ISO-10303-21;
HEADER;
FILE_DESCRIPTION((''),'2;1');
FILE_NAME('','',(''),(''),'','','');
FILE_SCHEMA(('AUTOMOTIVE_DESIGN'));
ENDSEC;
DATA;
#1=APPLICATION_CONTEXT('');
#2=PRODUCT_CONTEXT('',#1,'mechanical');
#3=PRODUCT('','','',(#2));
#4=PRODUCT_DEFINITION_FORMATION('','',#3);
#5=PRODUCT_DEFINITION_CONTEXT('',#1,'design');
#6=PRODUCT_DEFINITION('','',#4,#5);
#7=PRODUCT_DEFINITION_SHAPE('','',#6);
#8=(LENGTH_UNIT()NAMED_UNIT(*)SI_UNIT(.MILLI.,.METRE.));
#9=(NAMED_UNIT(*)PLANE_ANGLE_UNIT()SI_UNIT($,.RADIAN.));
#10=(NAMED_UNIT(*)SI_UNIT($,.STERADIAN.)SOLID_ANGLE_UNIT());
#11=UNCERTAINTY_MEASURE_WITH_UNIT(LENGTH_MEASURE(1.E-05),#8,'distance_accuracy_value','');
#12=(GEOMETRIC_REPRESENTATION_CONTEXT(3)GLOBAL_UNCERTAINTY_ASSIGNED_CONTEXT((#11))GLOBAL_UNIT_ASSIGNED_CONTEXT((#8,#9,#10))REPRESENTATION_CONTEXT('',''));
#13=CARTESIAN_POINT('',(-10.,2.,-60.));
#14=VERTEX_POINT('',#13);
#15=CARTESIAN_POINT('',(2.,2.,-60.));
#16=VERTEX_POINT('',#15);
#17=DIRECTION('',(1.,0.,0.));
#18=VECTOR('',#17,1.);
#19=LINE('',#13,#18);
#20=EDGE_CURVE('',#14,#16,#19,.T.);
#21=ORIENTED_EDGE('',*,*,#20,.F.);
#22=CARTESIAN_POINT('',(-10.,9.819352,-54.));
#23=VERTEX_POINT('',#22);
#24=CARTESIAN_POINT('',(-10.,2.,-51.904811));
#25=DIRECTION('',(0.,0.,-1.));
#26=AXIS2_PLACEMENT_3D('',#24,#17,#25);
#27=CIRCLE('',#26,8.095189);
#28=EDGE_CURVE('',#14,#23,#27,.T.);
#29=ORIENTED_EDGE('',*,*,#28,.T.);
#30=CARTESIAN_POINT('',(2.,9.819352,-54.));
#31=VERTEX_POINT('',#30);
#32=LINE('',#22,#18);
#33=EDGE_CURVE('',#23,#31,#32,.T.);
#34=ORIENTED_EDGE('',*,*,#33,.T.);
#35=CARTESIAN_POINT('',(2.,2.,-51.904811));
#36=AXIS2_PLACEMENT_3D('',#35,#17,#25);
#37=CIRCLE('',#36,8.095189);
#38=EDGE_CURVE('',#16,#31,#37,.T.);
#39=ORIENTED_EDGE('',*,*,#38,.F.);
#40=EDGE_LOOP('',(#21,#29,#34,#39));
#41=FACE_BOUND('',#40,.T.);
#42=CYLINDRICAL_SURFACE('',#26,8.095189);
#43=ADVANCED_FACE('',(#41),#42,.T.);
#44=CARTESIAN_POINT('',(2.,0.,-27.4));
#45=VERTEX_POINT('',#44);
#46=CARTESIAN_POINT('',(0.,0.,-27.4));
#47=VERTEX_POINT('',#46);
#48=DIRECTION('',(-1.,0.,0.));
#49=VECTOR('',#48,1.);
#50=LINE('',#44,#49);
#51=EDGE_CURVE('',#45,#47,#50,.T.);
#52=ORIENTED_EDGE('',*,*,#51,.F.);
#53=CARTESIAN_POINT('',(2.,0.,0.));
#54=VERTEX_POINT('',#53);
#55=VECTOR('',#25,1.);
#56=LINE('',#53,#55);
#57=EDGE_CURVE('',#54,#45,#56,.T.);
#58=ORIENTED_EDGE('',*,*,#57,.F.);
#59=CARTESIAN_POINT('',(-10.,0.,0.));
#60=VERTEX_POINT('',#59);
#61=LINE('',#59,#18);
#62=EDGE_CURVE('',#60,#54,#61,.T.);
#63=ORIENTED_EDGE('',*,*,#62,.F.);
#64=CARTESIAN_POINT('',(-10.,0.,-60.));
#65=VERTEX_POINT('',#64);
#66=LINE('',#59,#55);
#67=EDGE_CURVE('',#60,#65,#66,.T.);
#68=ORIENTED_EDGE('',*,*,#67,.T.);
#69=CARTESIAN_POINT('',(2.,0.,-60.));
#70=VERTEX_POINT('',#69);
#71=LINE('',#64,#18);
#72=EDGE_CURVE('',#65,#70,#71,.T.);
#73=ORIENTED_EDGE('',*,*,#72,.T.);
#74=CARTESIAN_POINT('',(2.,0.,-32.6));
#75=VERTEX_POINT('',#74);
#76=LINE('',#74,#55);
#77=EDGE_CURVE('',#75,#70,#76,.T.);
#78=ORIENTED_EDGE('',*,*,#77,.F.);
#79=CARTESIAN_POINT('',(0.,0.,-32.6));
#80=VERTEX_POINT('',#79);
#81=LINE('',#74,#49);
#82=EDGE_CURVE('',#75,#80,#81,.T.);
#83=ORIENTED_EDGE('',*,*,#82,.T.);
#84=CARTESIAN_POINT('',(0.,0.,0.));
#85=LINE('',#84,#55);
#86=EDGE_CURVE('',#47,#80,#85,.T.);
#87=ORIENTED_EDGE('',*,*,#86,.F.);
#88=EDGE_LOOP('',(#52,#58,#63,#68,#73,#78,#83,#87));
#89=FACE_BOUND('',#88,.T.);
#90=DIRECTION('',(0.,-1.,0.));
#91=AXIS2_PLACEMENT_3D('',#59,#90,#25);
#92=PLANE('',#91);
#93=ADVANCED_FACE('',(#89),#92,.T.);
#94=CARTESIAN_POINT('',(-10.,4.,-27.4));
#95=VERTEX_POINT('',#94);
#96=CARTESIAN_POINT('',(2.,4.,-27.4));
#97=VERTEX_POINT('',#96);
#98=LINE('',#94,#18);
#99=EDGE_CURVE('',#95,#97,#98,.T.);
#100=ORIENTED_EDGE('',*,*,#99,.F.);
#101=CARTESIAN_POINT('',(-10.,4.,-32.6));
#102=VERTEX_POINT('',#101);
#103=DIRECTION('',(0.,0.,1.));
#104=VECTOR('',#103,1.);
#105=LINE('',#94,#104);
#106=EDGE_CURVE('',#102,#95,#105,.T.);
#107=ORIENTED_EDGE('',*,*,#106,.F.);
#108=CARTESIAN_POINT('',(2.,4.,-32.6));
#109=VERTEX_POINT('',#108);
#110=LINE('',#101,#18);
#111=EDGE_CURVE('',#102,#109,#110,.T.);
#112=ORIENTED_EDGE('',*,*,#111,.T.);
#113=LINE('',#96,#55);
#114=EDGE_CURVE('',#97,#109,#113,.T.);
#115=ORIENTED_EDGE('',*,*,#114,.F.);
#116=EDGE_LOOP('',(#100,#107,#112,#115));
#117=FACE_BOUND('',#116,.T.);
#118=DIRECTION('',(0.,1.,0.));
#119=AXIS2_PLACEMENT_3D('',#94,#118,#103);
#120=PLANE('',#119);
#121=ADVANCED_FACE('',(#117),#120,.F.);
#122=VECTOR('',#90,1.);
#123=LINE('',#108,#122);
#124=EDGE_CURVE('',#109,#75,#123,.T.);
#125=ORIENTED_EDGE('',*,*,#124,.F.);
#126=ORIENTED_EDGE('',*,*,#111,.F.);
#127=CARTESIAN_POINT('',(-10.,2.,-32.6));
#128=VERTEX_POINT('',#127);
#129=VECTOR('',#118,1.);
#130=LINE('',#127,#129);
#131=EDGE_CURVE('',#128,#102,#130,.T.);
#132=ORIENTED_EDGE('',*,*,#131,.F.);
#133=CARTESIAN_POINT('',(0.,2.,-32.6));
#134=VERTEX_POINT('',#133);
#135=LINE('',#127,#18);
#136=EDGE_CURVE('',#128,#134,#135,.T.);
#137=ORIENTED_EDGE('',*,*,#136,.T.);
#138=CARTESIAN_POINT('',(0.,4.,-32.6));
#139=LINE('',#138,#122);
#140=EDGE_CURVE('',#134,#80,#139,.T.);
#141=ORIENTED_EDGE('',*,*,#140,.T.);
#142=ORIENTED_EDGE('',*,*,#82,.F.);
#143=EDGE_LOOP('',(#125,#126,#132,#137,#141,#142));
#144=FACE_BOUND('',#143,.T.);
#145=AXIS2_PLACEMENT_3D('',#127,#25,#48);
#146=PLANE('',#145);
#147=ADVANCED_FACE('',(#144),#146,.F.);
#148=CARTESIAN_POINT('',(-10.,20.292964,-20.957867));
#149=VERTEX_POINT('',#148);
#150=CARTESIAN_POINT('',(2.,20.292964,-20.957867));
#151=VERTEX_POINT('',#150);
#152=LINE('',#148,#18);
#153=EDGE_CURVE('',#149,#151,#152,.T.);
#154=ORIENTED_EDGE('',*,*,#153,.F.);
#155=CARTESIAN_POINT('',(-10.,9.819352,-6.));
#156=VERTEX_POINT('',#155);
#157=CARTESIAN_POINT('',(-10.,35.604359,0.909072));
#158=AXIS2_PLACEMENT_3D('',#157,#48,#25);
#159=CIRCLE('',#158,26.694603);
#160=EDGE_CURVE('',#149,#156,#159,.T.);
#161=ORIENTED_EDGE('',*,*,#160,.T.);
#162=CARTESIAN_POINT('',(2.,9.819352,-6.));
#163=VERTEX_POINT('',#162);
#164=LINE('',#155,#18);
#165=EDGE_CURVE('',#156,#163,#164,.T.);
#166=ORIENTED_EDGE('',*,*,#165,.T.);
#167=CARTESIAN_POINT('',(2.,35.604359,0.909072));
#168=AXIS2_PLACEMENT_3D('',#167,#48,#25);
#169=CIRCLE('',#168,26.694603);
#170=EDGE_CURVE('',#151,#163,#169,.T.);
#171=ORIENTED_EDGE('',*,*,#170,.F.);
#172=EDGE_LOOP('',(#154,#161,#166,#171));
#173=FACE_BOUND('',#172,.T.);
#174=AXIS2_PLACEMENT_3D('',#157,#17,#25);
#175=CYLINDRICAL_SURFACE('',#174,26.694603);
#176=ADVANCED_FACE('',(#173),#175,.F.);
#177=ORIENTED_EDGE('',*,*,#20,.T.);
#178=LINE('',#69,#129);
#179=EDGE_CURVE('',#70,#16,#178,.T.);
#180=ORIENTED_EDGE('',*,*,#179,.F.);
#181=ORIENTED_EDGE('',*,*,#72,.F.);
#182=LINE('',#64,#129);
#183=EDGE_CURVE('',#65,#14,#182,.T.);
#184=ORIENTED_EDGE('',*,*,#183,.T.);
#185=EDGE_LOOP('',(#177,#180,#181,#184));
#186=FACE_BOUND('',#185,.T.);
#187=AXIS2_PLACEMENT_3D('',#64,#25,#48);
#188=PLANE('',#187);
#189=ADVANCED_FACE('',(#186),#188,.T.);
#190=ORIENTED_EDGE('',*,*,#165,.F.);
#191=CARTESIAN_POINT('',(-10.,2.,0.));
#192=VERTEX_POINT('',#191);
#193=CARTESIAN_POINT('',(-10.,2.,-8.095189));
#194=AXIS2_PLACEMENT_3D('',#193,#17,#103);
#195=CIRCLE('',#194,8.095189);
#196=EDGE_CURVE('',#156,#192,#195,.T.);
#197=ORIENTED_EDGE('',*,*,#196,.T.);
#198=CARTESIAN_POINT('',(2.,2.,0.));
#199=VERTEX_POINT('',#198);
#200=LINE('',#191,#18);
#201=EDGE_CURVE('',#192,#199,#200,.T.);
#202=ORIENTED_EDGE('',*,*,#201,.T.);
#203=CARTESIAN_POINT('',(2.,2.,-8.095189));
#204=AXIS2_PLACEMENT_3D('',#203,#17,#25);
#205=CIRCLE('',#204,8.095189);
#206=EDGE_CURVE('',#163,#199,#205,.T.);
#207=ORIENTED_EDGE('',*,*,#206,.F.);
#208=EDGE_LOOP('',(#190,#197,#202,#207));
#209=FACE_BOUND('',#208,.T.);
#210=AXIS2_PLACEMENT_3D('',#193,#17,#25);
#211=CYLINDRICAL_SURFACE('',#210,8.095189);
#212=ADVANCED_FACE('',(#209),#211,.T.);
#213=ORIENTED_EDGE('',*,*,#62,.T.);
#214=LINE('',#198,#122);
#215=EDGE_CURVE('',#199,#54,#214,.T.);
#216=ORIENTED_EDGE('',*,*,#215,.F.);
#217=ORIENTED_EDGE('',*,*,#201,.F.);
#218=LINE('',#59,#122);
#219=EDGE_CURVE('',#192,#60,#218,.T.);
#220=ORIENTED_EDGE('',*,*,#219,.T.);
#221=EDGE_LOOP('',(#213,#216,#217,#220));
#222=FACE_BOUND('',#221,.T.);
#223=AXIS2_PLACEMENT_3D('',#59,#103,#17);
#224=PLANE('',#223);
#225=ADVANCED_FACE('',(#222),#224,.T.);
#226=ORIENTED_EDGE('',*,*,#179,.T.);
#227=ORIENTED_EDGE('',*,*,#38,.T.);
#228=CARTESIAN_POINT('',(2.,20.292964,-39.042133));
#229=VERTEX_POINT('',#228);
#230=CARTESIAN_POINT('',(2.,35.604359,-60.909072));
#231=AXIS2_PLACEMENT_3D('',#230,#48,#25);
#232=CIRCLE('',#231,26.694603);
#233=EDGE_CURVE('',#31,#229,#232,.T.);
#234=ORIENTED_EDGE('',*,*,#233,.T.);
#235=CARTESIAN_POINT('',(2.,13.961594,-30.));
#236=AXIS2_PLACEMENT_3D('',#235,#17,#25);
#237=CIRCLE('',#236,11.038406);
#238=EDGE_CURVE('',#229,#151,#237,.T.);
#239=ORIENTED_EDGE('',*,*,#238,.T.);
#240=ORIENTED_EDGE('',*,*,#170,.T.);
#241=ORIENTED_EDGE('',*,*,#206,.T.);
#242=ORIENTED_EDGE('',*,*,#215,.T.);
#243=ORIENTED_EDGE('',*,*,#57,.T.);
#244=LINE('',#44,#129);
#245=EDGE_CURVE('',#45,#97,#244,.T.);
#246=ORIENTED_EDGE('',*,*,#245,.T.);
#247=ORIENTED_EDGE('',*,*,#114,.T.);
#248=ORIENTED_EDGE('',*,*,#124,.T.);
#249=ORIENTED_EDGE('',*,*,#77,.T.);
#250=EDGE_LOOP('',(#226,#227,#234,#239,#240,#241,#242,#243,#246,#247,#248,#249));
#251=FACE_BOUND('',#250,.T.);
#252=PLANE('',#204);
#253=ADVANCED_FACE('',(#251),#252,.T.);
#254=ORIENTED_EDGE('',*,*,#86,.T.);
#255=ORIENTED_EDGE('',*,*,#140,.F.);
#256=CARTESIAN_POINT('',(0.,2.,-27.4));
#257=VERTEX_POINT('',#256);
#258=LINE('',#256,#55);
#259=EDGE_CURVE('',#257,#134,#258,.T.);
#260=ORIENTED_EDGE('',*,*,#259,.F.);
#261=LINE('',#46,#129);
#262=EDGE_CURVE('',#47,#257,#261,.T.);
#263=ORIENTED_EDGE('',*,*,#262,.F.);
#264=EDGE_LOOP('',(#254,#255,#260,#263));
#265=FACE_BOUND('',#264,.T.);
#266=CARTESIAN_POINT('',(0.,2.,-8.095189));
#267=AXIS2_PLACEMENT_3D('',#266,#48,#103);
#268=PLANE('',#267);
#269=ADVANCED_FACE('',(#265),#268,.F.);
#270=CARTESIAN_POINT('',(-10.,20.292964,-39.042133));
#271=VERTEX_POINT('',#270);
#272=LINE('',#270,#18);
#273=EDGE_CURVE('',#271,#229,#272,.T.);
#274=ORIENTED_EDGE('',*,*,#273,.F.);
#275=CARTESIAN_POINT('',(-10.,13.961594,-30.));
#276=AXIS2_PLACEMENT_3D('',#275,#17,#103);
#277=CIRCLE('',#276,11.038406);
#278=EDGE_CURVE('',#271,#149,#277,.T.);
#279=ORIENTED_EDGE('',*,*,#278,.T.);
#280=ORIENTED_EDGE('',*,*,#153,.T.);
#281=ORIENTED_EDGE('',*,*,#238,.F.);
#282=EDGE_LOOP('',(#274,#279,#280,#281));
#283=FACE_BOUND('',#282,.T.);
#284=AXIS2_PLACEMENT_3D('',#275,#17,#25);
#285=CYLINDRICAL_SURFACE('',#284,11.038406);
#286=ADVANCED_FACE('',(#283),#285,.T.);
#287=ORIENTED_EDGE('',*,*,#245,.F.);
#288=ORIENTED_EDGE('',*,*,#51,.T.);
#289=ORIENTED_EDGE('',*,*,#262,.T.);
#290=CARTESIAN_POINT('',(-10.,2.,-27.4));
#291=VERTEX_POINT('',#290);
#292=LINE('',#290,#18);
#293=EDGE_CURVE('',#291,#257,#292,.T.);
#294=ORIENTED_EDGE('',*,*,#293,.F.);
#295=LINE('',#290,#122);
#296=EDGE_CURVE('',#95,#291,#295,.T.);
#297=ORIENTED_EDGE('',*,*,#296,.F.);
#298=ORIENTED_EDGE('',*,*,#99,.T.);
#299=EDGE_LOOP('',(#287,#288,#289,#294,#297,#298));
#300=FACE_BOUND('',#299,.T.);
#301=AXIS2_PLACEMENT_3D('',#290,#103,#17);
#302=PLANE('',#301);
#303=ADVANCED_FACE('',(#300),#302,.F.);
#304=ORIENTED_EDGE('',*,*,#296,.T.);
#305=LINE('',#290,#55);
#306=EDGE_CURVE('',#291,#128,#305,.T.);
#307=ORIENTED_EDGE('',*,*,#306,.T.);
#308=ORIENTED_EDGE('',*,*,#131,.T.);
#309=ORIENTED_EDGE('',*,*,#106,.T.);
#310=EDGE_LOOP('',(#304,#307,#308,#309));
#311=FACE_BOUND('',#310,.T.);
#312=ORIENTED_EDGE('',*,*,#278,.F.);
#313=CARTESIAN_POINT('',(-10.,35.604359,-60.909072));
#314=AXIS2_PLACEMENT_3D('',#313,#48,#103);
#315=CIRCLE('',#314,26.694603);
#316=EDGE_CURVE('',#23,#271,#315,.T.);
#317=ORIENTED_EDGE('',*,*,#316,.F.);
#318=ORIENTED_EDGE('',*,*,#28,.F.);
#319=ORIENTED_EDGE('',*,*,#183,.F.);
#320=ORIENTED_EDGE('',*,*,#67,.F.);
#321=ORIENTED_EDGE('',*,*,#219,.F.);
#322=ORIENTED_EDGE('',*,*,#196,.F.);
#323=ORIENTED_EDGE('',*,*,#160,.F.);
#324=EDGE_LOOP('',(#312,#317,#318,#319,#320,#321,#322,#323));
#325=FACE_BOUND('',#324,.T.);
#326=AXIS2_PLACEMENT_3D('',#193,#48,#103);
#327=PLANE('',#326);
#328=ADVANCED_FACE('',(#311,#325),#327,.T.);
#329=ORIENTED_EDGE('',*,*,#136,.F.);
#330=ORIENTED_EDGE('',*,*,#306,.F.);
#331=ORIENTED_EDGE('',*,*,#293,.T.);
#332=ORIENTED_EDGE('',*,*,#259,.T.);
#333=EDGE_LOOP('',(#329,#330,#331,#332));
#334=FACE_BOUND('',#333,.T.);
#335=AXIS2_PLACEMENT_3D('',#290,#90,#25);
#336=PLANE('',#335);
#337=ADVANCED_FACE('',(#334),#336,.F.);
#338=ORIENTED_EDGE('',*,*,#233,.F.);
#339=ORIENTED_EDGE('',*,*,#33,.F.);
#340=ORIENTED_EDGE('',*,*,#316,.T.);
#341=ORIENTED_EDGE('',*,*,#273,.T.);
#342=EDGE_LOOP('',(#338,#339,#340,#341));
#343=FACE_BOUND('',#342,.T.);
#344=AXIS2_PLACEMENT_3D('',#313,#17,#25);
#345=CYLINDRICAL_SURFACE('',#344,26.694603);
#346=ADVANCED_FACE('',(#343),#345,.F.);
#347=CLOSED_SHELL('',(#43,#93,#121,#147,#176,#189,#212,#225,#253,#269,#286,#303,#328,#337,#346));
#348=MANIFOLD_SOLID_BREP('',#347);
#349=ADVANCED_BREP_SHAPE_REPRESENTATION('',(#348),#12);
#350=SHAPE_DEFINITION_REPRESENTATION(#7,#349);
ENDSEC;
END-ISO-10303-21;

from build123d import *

# Parameters (mm, degrees)
SKETCH1_W           = 5.2
SKETCH1_H           = 2
BOSS_EXTRUDE1_DEPTH = 10
BOSS_EXTRUDE2_DEPTH = 2


with BuildPart() as part:
    # Sketch1 → Boss-Extrude1 (new body)
    with BuildSketch(Plane(origin=(0, 0, 0), x_dir=(0, 0, -1), z_dir=(1, 0, 0))):
        with BuildLine():
            Line((0, 0), (60, 0))
            Line((60, 0), (60, 2))
            ThreePointArc((60, 2), (58.327156209, 6.928038895), (54, 9.819352237))
            ThreePointArc((54, 9.819352237), (45.597676291, 13.737420129), (39.042132847, 20.292963573))
            ThreePointArc((39.042132847, 20.292963573), (30, 25), (20.957867153, 20.292963573))
            ThreePointArc((20.957867153, 20.292963573), (14.402323709, 13.737420129), (6, 9.819352237))
            ThreePointArc((6, 9.819352237), (1.672843791, 6.928038895), (0, 2))
            Line((0, 2), (0, 0))
        make_face()
        with Locations((30, 3)):
            Rectangle(SKETCH1_W, SKETCH1_H, mode=Mode.SUBTRACT)
    extrude(amount=-BOSS_EXTRUDE1_DEPTH)

    # Sketch2 → Boss-Extrude2 (add)
    with BuildSketch(Plane(origin=(0, 0, 0), x_dir=(0, 0, -1), z_dir=(1, 0, 0))):
        with BuildLine():
            Line((0, 0), (27.4, 0))
            Line((27.4, 0), (27.4, 4))
            Line((27.4, 4), (32.6, 4))
            Line((32.6, 4), (32.6, 0))
            Line((32.6, 0), (60, 0))
            Line((60, 0), (60, 2))
            ThreePointArc((60, 2), (58.327156209, 6.928038895), (54, 9.819352237))
            ThreePointArc((54, 9.819352237), (45.597676291, 13.737420129), (39.042132847, 20.292963573))
            ThreePointArc((39.042132847, 20.292963573), (30, 25), (20.957867153, 20.292963573))
            ThreePointArc((20.957867153, 20.292963573), (14.402323709, 13.737420129), (6, 9.819352237))
            ThreePointArc((6, 9.819352237), (1.672843791, 6.928038895), (0, 2))
            Line((0, 2), (0, 0))
        make_face()
    extrude(amount=BOSS_EXTRUDE2_DEPTH)


solid = part.part
